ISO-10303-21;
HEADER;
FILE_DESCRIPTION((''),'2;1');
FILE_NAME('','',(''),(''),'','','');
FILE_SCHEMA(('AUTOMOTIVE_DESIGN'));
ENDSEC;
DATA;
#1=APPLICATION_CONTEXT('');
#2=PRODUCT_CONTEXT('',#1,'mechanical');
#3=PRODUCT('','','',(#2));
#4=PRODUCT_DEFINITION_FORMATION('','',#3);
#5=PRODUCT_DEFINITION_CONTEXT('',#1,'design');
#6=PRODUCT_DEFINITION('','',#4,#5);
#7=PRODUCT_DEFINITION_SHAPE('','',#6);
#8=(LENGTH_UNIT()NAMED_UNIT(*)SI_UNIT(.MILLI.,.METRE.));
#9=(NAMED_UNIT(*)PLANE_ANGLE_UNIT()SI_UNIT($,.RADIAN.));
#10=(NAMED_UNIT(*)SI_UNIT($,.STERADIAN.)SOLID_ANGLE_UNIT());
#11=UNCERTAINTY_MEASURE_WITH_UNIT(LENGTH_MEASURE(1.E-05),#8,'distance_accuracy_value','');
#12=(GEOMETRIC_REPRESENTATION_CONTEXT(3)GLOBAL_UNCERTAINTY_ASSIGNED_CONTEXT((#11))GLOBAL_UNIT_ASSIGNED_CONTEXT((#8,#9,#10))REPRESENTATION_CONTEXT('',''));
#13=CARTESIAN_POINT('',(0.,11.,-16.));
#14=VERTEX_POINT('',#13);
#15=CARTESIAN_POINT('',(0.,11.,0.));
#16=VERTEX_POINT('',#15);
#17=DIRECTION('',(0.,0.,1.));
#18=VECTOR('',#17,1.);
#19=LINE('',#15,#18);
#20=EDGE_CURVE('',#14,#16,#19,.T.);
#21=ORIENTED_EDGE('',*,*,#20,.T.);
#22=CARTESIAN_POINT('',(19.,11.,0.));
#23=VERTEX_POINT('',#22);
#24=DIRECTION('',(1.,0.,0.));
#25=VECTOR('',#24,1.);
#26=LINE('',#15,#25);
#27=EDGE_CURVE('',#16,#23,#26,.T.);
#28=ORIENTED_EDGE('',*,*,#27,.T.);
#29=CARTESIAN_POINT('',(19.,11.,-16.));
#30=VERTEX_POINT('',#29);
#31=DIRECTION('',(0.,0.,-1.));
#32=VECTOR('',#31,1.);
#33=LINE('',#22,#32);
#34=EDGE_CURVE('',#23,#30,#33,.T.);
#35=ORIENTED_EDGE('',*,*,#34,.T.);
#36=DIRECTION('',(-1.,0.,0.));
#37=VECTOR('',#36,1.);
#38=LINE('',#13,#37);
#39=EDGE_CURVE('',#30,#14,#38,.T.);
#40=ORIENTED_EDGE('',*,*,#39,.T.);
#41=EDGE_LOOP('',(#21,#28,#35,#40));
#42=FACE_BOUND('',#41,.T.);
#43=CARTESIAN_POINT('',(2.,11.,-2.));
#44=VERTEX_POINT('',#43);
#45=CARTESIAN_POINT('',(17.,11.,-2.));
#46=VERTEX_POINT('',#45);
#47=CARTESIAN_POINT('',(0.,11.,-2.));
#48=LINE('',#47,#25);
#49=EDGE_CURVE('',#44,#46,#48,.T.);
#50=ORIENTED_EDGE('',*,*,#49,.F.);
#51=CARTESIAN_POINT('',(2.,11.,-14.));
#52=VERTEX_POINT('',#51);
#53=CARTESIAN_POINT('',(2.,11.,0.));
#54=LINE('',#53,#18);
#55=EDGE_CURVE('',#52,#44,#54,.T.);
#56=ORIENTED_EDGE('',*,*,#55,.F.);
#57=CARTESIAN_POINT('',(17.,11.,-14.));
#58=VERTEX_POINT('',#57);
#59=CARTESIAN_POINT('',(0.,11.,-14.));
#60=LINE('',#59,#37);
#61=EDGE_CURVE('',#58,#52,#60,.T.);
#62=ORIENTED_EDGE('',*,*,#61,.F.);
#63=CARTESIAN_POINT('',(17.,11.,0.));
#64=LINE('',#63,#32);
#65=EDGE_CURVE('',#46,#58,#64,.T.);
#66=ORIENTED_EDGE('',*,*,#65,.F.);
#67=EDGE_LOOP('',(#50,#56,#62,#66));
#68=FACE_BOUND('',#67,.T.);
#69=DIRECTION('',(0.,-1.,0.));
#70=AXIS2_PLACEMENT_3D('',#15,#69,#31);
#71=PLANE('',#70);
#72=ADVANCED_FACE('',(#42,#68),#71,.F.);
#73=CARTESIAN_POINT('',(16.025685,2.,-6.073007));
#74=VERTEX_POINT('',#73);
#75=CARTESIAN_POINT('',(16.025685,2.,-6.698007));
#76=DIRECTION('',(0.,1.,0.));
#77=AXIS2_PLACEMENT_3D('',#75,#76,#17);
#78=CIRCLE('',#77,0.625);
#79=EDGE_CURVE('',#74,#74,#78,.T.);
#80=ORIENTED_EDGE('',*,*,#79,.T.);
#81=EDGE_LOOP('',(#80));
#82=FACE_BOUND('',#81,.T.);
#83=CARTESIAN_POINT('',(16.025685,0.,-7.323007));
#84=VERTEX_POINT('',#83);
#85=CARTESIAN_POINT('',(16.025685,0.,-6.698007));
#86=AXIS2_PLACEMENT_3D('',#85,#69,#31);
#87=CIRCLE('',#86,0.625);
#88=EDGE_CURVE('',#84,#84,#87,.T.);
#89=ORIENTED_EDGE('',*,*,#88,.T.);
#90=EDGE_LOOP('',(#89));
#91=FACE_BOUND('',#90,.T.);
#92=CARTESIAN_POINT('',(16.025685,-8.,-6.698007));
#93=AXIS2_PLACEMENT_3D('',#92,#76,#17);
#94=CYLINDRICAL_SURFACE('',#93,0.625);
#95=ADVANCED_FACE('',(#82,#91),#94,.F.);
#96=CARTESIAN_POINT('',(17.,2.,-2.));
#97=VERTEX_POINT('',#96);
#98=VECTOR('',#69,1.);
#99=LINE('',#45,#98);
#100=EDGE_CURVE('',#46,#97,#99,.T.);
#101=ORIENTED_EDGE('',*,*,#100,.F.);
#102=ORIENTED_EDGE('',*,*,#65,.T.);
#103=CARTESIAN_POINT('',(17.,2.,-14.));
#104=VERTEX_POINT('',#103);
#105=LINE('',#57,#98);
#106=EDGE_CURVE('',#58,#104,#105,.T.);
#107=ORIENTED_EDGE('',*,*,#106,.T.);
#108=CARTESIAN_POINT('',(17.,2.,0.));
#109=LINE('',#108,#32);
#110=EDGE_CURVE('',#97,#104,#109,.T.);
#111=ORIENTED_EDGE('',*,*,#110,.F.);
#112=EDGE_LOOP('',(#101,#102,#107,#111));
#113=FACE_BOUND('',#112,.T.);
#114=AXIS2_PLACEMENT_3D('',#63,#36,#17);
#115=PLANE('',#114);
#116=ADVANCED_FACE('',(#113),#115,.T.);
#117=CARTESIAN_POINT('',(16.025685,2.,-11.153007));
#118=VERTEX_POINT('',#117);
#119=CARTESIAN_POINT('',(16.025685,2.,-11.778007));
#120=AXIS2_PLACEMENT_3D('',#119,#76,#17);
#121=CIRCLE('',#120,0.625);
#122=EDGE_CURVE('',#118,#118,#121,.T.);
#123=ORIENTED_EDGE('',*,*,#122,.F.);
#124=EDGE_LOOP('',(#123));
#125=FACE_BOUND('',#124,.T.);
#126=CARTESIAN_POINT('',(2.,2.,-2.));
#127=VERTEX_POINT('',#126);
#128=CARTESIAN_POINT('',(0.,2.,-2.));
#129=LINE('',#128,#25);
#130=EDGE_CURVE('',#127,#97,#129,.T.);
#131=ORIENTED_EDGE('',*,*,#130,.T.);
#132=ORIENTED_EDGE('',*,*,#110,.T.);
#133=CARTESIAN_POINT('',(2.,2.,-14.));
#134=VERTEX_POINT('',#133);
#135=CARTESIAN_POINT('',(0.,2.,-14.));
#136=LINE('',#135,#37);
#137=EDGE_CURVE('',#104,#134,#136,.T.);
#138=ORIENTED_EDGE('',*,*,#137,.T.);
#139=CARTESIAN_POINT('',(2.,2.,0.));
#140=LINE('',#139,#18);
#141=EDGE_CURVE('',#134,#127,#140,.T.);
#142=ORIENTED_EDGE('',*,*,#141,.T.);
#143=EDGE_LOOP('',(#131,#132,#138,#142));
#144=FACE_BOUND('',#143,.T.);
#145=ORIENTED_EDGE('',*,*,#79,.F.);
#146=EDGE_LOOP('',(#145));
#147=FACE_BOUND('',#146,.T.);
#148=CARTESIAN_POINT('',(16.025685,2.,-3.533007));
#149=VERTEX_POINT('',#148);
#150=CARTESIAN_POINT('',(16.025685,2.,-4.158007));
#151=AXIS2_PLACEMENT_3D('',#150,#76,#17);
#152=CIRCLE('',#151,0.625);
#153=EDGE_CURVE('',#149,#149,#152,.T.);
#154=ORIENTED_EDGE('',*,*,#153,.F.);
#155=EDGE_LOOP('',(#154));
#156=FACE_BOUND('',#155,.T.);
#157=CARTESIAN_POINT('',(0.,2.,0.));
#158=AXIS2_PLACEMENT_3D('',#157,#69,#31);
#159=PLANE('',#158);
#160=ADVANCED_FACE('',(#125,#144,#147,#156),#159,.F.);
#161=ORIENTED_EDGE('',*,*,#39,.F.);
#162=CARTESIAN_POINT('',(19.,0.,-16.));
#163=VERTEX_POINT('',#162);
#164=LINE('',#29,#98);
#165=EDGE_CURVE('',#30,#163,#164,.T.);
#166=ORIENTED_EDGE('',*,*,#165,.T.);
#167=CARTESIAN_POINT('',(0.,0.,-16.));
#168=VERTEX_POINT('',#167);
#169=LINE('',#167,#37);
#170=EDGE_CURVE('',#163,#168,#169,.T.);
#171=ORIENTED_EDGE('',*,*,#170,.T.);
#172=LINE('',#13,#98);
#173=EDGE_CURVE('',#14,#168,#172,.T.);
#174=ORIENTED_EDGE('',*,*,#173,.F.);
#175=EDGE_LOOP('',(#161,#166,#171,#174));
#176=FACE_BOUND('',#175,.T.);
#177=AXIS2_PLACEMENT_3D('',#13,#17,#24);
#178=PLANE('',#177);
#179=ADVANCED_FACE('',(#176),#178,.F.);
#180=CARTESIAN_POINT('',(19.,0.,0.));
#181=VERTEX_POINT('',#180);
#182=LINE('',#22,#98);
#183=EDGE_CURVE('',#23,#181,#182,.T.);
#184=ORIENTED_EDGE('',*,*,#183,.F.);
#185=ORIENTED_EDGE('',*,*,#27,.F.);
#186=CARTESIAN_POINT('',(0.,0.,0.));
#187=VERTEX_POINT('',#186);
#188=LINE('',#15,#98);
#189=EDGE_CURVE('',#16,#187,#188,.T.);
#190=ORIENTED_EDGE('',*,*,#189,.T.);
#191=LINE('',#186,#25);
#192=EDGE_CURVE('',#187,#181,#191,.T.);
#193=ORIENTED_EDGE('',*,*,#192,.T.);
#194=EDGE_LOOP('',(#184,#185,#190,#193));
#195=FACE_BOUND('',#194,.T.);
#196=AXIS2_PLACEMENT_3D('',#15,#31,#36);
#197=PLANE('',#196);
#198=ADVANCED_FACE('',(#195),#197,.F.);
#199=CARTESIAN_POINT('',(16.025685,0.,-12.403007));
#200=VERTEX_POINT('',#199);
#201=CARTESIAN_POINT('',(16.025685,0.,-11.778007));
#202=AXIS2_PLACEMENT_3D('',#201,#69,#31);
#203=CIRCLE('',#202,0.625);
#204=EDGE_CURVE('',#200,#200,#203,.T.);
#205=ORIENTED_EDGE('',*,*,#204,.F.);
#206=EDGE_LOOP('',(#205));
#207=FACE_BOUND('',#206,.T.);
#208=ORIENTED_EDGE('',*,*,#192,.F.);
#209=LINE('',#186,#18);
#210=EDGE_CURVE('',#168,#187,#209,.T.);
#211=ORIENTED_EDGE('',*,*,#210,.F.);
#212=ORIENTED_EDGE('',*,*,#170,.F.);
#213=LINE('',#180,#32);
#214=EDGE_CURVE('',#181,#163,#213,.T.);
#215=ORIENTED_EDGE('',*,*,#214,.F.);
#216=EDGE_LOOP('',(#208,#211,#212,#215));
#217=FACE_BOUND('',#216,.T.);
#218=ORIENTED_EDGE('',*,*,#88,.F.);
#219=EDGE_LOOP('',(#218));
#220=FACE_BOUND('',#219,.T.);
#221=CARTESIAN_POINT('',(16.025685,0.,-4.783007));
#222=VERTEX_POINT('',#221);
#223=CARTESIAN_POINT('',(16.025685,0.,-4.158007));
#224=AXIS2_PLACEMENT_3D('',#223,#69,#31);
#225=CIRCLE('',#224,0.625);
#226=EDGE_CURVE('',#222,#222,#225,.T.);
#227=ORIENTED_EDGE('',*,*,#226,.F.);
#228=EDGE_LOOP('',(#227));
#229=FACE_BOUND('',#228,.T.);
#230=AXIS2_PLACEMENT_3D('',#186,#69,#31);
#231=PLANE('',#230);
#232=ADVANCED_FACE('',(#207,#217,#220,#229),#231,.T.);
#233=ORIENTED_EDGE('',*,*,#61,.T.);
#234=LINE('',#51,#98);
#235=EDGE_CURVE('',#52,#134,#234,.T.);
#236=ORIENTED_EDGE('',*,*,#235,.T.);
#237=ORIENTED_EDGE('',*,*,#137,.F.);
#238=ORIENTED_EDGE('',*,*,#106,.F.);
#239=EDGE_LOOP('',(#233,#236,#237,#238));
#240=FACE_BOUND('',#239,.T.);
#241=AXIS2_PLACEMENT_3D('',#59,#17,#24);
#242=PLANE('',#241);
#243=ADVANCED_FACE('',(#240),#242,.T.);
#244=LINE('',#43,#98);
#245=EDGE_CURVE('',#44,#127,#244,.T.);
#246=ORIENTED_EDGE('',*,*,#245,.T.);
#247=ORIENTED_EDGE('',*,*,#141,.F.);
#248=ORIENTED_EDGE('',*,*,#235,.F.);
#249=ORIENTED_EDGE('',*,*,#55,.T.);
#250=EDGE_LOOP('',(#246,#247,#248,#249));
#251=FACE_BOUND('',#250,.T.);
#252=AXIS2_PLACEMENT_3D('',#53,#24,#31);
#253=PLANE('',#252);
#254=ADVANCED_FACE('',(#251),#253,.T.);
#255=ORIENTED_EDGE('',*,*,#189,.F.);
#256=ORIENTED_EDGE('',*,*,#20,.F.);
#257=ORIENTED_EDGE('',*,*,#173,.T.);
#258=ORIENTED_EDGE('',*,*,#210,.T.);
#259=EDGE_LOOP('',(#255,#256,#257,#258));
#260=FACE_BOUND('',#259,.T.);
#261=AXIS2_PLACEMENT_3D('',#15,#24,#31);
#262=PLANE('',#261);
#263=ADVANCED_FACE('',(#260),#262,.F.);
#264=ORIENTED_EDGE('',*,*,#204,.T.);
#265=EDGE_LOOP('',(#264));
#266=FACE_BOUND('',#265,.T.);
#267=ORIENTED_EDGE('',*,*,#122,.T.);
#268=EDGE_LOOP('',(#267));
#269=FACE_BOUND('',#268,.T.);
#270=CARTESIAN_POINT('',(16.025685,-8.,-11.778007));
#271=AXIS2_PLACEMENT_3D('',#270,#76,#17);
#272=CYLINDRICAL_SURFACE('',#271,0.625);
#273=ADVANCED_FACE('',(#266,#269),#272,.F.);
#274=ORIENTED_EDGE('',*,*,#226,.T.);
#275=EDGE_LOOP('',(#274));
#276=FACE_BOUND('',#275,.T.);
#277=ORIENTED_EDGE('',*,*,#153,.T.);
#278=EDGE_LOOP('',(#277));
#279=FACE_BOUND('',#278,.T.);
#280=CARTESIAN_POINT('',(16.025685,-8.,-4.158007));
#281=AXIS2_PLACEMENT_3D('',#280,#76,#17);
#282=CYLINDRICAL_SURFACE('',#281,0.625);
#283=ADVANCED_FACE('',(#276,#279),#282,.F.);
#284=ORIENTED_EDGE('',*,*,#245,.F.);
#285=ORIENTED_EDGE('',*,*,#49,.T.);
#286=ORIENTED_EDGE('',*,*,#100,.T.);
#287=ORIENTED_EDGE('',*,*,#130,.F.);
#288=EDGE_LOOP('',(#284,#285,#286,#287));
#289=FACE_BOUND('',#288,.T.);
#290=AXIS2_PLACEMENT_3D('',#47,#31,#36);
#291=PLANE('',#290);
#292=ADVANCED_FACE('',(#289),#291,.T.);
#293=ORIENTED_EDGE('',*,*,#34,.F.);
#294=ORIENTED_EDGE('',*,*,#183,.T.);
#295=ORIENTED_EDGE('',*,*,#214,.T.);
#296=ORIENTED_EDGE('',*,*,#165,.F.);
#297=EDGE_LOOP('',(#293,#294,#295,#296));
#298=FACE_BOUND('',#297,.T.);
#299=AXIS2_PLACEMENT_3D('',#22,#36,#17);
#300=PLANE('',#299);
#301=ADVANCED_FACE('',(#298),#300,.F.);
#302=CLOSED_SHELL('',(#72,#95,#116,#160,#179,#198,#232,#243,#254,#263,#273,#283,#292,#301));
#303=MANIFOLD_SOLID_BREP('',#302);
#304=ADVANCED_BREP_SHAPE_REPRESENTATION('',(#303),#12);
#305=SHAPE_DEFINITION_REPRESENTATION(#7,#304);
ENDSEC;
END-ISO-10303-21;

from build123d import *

# Parameters (mm, degrees)
SKETCH1_W           = 19
SKETCH1_H           = 16
BOSS_EXTRUDE1_DEPTH = 11
SHELL1_T            = -2
SKETCH2_R           = 0.625
CUT_EXTRUDE1_DEPTH  = 10


with BuildPart() as part:
    # Sketch1 → Boss-Extrude1 (new body)
    with BuildSketch(Plane(origin=(0, 0, 0), x_dir=(1, 0, 0), z_dir=(0, 1, 0))):
        with Locations((9.5, 8)):
            Rectangle(SKETCH1_W, SKETCH1_H)
    extrude(amount=BOSS_EXTRUDE1_DEPTH)

    # Shell1
    shell1_openings = [part.faces().sort_by_distance(p)[0] for p in [
        (9.5, 11, -8),
    ]]
    offset(amount=SHELL1_T, openings=shell1_openings, kind=Kind.INTERSECTION)

    # Sketch2 → Cut-Extrude1 (cut)
    with BuildSketch(Plane(origin=(0, 2, 0), x_dir=(1, 0, 0), z_dir=(0, 1, 0))):
        with Locations((16.025684832, 11.778007382)):
            Circle(SKETCH2_R)
        with Locations((16.025684832, 6.698007382)):
            Circle(SKETCH2_R)
        with Locations((16.025684832, 4.158007382)):
            Circle(SKETCH2_R)
    extrude(amount=-CUT_EXTRUDE1_DEPTH, mode=Mode.SUBTRACT)


solid = part.part
